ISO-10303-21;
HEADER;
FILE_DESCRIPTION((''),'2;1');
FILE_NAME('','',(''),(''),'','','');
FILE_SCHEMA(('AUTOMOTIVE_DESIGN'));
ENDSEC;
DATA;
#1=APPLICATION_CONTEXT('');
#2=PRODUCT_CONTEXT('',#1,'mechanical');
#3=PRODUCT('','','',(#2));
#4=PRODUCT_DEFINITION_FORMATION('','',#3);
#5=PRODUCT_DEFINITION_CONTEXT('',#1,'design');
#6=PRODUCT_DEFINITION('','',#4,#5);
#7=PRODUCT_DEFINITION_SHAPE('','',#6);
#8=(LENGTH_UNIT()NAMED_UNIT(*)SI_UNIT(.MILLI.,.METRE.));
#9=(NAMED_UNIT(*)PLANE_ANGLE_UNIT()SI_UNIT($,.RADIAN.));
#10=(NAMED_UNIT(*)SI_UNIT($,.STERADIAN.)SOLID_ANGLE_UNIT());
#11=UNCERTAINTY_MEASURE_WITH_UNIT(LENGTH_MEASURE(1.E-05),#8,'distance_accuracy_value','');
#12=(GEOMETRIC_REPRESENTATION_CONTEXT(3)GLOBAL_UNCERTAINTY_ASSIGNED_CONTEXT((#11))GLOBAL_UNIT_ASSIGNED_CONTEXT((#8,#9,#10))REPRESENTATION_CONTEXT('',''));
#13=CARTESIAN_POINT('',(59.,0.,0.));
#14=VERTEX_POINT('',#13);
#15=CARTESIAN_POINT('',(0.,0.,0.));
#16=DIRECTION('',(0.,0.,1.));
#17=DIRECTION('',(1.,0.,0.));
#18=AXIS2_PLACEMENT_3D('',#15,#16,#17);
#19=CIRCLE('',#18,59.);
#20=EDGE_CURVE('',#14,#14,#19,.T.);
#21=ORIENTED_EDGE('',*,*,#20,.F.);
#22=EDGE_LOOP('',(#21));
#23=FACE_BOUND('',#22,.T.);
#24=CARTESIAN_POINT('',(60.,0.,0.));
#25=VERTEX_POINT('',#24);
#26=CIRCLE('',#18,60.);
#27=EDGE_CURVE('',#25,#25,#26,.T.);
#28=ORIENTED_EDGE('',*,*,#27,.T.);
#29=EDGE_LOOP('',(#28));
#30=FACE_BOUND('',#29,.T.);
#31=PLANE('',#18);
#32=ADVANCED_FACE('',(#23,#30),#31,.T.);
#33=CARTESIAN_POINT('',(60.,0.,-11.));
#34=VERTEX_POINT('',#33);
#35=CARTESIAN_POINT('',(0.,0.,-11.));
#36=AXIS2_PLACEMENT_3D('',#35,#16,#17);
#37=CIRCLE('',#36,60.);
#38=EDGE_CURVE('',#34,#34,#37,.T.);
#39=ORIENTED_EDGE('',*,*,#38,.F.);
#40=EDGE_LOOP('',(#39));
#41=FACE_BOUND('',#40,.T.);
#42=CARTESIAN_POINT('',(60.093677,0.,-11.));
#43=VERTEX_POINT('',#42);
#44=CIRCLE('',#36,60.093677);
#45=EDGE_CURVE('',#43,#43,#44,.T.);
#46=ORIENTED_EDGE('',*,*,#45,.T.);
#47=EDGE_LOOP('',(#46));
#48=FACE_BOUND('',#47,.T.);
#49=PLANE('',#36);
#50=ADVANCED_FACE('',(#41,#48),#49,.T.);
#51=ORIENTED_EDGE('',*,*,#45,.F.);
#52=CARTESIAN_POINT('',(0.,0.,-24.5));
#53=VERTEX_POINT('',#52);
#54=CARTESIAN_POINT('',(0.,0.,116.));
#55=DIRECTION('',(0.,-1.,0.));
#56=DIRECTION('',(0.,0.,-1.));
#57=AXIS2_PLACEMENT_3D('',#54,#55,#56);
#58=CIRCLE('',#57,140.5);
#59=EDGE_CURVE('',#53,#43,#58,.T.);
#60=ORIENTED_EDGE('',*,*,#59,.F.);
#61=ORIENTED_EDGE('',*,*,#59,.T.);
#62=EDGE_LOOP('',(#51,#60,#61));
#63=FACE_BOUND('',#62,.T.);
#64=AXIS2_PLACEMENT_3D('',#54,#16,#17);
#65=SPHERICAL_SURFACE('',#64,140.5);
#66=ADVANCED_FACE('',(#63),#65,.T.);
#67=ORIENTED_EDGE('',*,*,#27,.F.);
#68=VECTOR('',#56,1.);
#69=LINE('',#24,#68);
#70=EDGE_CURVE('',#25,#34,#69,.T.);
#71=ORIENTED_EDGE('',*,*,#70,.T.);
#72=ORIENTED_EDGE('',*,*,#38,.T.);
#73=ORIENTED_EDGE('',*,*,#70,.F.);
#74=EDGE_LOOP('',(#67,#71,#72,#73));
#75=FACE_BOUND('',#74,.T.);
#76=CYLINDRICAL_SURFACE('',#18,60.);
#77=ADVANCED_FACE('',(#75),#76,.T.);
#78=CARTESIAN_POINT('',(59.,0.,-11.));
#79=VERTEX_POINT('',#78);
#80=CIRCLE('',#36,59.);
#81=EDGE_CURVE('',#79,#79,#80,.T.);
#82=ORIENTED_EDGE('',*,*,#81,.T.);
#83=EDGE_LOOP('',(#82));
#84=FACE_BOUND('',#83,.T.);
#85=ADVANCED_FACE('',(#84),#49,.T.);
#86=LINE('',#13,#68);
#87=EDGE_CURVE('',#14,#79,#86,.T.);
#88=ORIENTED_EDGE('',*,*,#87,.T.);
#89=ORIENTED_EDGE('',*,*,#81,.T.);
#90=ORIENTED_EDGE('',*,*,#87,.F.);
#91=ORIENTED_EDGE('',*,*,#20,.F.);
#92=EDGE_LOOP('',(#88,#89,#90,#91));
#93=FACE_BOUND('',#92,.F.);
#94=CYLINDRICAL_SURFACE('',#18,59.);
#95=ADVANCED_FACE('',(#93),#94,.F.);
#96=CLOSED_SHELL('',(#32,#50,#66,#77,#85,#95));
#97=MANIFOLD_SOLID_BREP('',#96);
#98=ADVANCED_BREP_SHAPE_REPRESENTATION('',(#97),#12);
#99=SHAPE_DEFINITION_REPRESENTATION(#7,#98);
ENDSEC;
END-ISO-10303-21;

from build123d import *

# Parameters (mm, degrees)
SKETCH018_R  = 200
PAD011_DEPTH = 395
SKETCH016_R  = 59
PAD010_DEPTH = 11
SKETCH015_R  = 60
PAD009_DEPTH = 11


with BuildPart() as pad011:
    # Sketch018 → Pad011 (new body)
    with BuildSketch(Plane.XY.offset(-11)):
        Circle(SKETCH018_R)
    extrude(amount=PAD011_DEPTH)


with BuildPart() as cut010:
    # Sphere → Sphere (revolve)
    with BuildSketch(Plane(origin=(0, 0, 116), x_dir=(1, 0, 0), z_dir=(0, -1, 0))):
        with BuildLine():
            ThreePointArc((0, -140.5), (140.5, 0), (0, 140.5))
            Line((0, 140.5), (0, -140.5))
        make_face()
    revolve(axis=Axis((0, 0, 116), (0, 0, 1)))

    # Cut010: cut Pad011
    add(pad011.part, mode=Mode.SUBTRACT)


with BuildPart() as pad010:
    # Sketch016 → Pad010 (new body)
    with BuildSketch(Plane.XY):
        Circle(SKETCH016_R)
    extrude(amount=-PAD010_DEPTH)


with BuildPart() as fusion:
    # Sketch015 → Pad009 (new body)
    with BuildSketch(Plane.XY):
        Circle(SKETCH015_R)
    extrude(amount=-PAD009_DEPTH)

    # Cut006: cut Pad010
    add(pad010.part, mode=Mode.SUBTRACT)

    # Fusion: union Cut010
    add(cut010.part)


solid = fusion.part
